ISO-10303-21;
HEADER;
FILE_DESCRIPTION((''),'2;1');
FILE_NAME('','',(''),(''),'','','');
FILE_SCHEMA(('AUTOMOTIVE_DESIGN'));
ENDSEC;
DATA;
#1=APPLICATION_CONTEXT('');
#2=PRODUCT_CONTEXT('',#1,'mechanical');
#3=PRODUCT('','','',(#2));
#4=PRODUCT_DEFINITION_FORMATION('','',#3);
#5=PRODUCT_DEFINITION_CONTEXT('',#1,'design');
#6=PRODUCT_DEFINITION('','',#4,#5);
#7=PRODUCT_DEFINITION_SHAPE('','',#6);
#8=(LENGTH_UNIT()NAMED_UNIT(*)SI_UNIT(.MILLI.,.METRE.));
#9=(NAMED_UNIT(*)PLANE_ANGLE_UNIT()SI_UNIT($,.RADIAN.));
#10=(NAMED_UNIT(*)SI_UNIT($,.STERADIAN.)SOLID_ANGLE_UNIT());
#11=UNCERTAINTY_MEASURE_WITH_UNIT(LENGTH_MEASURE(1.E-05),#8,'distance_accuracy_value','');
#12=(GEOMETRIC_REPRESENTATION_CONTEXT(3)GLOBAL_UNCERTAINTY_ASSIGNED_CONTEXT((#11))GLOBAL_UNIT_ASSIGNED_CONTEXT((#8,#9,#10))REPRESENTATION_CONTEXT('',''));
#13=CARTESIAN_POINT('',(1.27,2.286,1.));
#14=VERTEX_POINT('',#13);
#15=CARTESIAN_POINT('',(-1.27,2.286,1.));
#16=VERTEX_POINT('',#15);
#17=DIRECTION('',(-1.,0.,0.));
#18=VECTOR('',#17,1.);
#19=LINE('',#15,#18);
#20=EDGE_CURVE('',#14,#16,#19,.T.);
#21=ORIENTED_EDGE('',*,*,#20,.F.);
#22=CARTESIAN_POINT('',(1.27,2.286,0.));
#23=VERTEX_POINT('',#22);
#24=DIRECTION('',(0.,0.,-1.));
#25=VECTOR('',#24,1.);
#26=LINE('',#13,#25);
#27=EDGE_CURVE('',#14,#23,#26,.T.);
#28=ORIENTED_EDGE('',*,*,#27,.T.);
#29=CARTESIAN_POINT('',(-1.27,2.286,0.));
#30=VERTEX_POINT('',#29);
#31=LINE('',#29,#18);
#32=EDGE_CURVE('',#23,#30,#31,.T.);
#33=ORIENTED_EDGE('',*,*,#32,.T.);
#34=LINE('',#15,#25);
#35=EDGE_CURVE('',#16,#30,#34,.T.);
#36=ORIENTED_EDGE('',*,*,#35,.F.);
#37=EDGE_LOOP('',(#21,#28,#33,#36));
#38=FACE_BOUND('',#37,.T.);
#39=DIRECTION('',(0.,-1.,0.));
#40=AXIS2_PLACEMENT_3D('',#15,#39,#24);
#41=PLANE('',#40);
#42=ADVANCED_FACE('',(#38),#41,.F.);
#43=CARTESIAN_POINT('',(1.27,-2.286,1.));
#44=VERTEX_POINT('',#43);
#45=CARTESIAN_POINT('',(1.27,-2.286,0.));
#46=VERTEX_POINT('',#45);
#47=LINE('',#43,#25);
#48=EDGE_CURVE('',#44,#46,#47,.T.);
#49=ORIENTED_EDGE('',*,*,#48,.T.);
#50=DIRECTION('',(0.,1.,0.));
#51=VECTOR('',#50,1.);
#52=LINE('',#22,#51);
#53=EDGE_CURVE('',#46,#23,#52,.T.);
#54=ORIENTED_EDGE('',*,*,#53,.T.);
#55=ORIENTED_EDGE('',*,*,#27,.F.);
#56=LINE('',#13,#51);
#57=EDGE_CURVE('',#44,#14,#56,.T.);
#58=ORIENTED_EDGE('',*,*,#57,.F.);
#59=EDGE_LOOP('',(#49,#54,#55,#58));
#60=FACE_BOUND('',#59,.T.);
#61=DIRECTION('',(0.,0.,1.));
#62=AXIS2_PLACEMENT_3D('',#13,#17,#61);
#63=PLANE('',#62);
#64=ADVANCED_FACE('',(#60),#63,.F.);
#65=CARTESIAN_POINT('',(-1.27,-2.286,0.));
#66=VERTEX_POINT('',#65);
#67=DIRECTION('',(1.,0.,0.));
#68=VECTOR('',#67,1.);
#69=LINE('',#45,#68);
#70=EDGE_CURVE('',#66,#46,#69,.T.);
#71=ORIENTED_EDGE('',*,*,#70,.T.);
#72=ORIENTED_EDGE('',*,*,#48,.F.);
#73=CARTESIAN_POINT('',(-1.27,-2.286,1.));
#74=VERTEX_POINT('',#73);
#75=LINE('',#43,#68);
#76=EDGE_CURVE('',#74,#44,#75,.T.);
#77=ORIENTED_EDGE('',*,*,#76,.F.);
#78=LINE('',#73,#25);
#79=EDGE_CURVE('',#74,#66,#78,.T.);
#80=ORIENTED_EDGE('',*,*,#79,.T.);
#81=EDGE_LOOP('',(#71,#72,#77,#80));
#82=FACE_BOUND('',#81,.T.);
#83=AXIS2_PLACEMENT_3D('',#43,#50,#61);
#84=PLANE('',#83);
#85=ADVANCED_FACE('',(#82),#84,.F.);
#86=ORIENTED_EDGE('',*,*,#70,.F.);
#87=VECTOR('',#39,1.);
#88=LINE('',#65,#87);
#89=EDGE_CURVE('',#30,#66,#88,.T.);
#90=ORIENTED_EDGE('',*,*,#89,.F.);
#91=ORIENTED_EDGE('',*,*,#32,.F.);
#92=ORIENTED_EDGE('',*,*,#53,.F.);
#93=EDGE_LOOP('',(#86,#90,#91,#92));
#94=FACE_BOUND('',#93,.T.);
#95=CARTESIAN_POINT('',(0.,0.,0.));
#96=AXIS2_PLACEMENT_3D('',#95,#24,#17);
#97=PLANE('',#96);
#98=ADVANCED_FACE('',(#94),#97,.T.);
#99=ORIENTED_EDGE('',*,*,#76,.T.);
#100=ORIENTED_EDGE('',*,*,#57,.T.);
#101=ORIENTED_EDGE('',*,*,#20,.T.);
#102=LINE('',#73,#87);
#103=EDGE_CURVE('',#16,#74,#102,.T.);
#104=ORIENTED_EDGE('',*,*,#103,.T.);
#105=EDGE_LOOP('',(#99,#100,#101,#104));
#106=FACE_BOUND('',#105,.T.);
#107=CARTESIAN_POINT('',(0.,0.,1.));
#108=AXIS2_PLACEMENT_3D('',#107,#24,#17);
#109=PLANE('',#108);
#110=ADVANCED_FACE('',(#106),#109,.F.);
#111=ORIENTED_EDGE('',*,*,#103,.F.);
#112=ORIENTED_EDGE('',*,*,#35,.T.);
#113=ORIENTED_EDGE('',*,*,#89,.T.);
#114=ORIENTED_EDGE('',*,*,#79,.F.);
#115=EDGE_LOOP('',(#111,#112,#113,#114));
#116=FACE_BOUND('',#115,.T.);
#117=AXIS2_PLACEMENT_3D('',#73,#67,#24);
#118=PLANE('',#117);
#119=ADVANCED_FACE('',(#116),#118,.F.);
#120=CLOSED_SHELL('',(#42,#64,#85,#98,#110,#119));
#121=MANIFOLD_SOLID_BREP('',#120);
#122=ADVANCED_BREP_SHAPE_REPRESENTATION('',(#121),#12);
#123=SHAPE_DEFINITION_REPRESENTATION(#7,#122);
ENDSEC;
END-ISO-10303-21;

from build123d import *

# Parameters (mm, degrees)
SKETCH1_W               = 2.54
SKETCH1_H               = 4.572
COMPONENT_OUTLINE_DEPTH = 1


with BuildPart() as part:
    # Sketch1 → Component_Outline (new body)
    with BuildSketch(Plane.XY):
        Rectangle(SKETCH1_W, SKETCH1_H)
    extrude(amount=COMPONENT_OUTLINE_DEPTH)


solid = part.part
